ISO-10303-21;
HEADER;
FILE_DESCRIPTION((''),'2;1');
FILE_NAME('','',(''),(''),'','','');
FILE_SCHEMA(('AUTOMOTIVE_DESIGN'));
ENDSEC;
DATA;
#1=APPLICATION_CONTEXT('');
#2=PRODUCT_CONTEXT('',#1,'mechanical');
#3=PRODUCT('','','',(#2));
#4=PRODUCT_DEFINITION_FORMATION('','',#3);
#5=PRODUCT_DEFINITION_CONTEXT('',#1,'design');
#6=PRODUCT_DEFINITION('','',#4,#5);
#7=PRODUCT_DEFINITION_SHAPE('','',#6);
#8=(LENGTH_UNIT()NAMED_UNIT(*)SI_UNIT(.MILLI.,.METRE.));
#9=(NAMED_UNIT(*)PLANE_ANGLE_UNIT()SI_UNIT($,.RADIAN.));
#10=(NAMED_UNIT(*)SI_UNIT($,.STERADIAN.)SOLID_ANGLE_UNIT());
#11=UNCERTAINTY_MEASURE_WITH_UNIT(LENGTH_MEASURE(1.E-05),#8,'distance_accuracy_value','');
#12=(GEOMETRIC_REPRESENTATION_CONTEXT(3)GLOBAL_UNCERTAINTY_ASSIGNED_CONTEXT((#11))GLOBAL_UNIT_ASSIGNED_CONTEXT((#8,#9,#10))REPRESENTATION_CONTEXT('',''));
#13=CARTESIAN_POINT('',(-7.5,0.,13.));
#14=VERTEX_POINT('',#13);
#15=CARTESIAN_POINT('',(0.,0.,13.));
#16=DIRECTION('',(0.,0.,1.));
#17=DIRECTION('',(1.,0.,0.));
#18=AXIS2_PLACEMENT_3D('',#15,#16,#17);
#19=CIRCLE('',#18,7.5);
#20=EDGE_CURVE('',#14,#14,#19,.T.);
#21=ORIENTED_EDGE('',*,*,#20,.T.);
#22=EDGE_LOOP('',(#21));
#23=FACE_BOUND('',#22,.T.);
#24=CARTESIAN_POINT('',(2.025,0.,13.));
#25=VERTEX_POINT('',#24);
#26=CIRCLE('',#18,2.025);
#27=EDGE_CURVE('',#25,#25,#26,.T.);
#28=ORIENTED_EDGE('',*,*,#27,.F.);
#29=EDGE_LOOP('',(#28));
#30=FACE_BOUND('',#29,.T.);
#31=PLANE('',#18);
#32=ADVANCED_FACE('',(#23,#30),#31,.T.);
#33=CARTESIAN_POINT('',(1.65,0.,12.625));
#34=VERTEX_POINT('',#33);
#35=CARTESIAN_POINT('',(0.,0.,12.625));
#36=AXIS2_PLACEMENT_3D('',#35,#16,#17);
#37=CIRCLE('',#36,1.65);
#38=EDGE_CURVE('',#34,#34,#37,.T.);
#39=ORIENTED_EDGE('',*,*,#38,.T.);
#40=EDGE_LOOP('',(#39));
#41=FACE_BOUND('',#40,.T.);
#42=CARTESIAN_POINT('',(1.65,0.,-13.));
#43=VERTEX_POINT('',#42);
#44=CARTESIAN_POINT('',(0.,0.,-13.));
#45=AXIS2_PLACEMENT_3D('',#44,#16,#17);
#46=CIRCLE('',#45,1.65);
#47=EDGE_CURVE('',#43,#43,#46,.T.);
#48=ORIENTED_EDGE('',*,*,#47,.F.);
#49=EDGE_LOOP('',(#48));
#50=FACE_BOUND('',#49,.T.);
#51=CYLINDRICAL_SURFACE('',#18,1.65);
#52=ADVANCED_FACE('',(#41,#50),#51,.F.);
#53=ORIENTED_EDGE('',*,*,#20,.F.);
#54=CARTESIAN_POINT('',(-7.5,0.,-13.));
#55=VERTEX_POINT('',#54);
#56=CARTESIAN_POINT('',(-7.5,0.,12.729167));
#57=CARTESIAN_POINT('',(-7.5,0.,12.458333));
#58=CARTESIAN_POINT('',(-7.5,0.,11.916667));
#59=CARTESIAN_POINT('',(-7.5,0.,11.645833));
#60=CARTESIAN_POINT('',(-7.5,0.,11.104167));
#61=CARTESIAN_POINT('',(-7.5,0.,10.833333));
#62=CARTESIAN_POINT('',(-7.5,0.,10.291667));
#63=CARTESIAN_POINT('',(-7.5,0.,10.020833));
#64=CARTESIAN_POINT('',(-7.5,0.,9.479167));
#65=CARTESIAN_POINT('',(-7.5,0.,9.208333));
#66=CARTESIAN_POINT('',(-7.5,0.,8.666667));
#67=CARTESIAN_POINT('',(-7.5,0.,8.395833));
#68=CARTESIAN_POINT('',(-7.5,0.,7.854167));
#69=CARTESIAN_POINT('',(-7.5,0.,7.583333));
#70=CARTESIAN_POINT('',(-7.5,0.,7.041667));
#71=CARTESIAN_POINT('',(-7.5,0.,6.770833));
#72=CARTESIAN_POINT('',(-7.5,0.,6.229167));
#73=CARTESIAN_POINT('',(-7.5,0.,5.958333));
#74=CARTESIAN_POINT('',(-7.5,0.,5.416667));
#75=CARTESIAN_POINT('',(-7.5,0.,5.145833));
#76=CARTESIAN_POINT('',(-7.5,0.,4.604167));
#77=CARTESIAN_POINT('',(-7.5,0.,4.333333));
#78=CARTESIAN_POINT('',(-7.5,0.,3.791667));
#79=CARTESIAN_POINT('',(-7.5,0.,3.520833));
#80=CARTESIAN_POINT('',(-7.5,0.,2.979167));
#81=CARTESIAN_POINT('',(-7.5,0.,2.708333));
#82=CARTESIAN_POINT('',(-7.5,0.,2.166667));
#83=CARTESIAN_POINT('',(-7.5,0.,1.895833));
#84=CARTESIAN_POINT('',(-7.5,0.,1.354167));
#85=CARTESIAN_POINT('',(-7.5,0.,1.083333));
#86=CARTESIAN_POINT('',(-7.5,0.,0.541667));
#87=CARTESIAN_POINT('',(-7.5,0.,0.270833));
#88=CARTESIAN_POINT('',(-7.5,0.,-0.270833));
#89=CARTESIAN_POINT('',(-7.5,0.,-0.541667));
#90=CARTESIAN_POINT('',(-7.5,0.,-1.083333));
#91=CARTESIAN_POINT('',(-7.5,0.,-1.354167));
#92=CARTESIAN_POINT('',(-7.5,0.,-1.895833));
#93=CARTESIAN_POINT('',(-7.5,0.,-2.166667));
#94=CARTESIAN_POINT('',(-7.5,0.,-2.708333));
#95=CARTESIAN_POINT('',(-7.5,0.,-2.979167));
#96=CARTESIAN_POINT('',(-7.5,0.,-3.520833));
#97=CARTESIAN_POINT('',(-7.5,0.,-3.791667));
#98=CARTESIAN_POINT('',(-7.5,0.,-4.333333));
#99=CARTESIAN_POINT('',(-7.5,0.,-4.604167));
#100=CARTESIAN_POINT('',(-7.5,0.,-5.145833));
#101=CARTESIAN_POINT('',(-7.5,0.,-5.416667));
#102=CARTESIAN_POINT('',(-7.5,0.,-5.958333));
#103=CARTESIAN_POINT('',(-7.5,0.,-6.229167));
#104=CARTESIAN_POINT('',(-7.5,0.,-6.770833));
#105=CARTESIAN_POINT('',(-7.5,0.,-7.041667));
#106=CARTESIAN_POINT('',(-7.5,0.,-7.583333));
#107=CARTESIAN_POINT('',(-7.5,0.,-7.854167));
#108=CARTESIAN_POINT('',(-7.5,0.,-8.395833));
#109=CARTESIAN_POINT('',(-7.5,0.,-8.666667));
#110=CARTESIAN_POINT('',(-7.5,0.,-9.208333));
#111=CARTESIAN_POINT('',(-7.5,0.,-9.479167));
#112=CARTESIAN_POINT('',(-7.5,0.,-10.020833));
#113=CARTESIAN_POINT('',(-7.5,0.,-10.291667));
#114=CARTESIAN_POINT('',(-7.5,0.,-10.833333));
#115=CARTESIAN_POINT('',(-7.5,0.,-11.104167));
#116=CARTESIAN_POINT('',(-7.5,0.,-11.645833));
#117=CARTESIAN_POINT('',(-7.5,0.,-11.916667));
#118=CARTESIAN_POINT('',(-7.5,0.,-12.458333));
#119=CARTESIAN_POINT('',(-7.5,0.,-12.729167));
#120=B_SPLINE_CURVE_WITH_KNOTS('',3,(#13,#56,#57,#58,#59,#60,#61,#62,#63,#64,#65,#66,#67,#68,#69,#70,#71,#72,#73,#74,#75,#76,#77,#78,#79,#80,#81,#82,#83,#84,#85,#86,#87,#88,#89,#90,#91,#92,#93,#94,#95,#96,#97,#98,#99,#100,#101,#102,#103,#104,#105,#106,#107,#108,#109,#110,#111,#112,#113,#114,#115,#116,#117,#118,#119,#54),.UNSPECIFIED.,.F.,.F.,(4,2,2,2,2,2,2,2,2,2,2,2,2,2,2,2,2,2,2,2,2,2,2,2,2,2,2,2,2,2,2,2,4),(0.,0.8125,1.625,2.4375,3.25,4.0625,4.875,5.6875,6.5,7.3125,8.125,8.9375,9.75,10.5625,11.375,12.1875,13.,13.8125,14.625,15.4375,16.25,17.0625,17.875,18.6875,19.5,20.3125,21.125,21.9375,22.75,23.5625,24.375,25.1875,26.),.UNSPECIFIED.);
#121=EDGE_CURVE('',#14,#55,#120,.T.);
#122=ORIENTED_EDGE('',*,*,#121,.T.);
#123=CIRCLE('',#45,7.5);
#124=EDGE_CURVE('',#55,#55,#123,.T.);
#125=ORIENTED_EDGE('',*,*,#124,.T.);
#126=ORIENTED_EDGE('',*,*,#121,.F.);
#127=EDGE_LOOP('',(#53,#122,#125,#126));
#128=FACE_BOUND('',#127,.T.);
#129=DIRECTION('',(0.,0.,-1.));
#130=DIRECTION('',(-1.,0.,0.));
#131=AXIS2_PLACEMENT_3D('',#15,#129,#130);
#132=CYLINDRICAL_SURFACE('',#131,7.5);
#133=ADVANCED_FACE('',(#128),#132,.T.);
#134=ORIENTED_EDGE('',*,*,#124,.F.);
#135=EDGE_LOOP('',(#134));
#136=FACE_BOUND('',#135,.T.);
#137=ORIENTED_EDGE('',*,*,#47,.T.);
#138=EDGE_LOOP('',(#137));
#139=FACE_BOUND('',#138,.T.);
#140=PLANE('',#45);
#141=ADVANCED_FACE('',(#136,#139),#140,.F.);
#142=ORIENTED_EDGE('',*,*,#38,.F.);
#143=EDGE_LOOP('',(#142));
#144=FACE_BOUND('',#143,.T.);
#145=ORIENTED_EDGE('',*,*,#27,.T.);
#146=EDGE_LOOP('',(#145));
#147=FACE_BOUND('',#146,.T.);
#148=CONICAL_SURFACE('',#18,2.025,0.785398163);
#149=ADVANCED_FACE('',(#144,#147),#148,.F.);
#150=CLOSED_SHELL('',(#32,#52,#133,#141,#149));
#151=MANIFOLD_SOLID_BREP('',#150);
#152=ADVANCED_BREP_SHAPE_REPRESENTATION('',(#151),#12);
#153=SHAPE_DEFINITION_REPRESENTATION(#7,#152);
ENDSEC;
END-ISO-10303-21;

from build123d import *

# Parameters (mm, degrees)
SKETCH1_R                       = 7.5
BOSS_EXTRUDE1_DEPTH             = 13
M4X0_7_TAPPED_HOLE1_D           = 3.3
M4X0_7_TAPPED_HOLE1_CSINK_D     = 4.05
M4X0_7_TAPPED_HOLE1_CSINK_ANGLE = 90


with BuildPart() as part:
    # Sketch1 → Boss-Extrude1 (new, symmetric)
    with BuildSketch(Plane.XY):
        with Locations(Location((0, 0, 0), (0, 0, 180))):
            Circle(SKETCH1_R)
    extrude(amount=BOSS_EXTRUDE1_DEPTH, both=True)

    # M4x0.7 Tapped Hole1 (through all)
    with Locations(Plane.XY.offset(13)):
        with Locations((0, 0)):
            CounterSinkHole(M4X0_7_TAPPED_HOLE1_D / 2, M4X0_7_TAPPED_HOLE1_CSINK_D / 2, counter_sink_angle=M4X0_7_TAPPED_HOLE1_CSINK_ANGLE)


solid = part.part
